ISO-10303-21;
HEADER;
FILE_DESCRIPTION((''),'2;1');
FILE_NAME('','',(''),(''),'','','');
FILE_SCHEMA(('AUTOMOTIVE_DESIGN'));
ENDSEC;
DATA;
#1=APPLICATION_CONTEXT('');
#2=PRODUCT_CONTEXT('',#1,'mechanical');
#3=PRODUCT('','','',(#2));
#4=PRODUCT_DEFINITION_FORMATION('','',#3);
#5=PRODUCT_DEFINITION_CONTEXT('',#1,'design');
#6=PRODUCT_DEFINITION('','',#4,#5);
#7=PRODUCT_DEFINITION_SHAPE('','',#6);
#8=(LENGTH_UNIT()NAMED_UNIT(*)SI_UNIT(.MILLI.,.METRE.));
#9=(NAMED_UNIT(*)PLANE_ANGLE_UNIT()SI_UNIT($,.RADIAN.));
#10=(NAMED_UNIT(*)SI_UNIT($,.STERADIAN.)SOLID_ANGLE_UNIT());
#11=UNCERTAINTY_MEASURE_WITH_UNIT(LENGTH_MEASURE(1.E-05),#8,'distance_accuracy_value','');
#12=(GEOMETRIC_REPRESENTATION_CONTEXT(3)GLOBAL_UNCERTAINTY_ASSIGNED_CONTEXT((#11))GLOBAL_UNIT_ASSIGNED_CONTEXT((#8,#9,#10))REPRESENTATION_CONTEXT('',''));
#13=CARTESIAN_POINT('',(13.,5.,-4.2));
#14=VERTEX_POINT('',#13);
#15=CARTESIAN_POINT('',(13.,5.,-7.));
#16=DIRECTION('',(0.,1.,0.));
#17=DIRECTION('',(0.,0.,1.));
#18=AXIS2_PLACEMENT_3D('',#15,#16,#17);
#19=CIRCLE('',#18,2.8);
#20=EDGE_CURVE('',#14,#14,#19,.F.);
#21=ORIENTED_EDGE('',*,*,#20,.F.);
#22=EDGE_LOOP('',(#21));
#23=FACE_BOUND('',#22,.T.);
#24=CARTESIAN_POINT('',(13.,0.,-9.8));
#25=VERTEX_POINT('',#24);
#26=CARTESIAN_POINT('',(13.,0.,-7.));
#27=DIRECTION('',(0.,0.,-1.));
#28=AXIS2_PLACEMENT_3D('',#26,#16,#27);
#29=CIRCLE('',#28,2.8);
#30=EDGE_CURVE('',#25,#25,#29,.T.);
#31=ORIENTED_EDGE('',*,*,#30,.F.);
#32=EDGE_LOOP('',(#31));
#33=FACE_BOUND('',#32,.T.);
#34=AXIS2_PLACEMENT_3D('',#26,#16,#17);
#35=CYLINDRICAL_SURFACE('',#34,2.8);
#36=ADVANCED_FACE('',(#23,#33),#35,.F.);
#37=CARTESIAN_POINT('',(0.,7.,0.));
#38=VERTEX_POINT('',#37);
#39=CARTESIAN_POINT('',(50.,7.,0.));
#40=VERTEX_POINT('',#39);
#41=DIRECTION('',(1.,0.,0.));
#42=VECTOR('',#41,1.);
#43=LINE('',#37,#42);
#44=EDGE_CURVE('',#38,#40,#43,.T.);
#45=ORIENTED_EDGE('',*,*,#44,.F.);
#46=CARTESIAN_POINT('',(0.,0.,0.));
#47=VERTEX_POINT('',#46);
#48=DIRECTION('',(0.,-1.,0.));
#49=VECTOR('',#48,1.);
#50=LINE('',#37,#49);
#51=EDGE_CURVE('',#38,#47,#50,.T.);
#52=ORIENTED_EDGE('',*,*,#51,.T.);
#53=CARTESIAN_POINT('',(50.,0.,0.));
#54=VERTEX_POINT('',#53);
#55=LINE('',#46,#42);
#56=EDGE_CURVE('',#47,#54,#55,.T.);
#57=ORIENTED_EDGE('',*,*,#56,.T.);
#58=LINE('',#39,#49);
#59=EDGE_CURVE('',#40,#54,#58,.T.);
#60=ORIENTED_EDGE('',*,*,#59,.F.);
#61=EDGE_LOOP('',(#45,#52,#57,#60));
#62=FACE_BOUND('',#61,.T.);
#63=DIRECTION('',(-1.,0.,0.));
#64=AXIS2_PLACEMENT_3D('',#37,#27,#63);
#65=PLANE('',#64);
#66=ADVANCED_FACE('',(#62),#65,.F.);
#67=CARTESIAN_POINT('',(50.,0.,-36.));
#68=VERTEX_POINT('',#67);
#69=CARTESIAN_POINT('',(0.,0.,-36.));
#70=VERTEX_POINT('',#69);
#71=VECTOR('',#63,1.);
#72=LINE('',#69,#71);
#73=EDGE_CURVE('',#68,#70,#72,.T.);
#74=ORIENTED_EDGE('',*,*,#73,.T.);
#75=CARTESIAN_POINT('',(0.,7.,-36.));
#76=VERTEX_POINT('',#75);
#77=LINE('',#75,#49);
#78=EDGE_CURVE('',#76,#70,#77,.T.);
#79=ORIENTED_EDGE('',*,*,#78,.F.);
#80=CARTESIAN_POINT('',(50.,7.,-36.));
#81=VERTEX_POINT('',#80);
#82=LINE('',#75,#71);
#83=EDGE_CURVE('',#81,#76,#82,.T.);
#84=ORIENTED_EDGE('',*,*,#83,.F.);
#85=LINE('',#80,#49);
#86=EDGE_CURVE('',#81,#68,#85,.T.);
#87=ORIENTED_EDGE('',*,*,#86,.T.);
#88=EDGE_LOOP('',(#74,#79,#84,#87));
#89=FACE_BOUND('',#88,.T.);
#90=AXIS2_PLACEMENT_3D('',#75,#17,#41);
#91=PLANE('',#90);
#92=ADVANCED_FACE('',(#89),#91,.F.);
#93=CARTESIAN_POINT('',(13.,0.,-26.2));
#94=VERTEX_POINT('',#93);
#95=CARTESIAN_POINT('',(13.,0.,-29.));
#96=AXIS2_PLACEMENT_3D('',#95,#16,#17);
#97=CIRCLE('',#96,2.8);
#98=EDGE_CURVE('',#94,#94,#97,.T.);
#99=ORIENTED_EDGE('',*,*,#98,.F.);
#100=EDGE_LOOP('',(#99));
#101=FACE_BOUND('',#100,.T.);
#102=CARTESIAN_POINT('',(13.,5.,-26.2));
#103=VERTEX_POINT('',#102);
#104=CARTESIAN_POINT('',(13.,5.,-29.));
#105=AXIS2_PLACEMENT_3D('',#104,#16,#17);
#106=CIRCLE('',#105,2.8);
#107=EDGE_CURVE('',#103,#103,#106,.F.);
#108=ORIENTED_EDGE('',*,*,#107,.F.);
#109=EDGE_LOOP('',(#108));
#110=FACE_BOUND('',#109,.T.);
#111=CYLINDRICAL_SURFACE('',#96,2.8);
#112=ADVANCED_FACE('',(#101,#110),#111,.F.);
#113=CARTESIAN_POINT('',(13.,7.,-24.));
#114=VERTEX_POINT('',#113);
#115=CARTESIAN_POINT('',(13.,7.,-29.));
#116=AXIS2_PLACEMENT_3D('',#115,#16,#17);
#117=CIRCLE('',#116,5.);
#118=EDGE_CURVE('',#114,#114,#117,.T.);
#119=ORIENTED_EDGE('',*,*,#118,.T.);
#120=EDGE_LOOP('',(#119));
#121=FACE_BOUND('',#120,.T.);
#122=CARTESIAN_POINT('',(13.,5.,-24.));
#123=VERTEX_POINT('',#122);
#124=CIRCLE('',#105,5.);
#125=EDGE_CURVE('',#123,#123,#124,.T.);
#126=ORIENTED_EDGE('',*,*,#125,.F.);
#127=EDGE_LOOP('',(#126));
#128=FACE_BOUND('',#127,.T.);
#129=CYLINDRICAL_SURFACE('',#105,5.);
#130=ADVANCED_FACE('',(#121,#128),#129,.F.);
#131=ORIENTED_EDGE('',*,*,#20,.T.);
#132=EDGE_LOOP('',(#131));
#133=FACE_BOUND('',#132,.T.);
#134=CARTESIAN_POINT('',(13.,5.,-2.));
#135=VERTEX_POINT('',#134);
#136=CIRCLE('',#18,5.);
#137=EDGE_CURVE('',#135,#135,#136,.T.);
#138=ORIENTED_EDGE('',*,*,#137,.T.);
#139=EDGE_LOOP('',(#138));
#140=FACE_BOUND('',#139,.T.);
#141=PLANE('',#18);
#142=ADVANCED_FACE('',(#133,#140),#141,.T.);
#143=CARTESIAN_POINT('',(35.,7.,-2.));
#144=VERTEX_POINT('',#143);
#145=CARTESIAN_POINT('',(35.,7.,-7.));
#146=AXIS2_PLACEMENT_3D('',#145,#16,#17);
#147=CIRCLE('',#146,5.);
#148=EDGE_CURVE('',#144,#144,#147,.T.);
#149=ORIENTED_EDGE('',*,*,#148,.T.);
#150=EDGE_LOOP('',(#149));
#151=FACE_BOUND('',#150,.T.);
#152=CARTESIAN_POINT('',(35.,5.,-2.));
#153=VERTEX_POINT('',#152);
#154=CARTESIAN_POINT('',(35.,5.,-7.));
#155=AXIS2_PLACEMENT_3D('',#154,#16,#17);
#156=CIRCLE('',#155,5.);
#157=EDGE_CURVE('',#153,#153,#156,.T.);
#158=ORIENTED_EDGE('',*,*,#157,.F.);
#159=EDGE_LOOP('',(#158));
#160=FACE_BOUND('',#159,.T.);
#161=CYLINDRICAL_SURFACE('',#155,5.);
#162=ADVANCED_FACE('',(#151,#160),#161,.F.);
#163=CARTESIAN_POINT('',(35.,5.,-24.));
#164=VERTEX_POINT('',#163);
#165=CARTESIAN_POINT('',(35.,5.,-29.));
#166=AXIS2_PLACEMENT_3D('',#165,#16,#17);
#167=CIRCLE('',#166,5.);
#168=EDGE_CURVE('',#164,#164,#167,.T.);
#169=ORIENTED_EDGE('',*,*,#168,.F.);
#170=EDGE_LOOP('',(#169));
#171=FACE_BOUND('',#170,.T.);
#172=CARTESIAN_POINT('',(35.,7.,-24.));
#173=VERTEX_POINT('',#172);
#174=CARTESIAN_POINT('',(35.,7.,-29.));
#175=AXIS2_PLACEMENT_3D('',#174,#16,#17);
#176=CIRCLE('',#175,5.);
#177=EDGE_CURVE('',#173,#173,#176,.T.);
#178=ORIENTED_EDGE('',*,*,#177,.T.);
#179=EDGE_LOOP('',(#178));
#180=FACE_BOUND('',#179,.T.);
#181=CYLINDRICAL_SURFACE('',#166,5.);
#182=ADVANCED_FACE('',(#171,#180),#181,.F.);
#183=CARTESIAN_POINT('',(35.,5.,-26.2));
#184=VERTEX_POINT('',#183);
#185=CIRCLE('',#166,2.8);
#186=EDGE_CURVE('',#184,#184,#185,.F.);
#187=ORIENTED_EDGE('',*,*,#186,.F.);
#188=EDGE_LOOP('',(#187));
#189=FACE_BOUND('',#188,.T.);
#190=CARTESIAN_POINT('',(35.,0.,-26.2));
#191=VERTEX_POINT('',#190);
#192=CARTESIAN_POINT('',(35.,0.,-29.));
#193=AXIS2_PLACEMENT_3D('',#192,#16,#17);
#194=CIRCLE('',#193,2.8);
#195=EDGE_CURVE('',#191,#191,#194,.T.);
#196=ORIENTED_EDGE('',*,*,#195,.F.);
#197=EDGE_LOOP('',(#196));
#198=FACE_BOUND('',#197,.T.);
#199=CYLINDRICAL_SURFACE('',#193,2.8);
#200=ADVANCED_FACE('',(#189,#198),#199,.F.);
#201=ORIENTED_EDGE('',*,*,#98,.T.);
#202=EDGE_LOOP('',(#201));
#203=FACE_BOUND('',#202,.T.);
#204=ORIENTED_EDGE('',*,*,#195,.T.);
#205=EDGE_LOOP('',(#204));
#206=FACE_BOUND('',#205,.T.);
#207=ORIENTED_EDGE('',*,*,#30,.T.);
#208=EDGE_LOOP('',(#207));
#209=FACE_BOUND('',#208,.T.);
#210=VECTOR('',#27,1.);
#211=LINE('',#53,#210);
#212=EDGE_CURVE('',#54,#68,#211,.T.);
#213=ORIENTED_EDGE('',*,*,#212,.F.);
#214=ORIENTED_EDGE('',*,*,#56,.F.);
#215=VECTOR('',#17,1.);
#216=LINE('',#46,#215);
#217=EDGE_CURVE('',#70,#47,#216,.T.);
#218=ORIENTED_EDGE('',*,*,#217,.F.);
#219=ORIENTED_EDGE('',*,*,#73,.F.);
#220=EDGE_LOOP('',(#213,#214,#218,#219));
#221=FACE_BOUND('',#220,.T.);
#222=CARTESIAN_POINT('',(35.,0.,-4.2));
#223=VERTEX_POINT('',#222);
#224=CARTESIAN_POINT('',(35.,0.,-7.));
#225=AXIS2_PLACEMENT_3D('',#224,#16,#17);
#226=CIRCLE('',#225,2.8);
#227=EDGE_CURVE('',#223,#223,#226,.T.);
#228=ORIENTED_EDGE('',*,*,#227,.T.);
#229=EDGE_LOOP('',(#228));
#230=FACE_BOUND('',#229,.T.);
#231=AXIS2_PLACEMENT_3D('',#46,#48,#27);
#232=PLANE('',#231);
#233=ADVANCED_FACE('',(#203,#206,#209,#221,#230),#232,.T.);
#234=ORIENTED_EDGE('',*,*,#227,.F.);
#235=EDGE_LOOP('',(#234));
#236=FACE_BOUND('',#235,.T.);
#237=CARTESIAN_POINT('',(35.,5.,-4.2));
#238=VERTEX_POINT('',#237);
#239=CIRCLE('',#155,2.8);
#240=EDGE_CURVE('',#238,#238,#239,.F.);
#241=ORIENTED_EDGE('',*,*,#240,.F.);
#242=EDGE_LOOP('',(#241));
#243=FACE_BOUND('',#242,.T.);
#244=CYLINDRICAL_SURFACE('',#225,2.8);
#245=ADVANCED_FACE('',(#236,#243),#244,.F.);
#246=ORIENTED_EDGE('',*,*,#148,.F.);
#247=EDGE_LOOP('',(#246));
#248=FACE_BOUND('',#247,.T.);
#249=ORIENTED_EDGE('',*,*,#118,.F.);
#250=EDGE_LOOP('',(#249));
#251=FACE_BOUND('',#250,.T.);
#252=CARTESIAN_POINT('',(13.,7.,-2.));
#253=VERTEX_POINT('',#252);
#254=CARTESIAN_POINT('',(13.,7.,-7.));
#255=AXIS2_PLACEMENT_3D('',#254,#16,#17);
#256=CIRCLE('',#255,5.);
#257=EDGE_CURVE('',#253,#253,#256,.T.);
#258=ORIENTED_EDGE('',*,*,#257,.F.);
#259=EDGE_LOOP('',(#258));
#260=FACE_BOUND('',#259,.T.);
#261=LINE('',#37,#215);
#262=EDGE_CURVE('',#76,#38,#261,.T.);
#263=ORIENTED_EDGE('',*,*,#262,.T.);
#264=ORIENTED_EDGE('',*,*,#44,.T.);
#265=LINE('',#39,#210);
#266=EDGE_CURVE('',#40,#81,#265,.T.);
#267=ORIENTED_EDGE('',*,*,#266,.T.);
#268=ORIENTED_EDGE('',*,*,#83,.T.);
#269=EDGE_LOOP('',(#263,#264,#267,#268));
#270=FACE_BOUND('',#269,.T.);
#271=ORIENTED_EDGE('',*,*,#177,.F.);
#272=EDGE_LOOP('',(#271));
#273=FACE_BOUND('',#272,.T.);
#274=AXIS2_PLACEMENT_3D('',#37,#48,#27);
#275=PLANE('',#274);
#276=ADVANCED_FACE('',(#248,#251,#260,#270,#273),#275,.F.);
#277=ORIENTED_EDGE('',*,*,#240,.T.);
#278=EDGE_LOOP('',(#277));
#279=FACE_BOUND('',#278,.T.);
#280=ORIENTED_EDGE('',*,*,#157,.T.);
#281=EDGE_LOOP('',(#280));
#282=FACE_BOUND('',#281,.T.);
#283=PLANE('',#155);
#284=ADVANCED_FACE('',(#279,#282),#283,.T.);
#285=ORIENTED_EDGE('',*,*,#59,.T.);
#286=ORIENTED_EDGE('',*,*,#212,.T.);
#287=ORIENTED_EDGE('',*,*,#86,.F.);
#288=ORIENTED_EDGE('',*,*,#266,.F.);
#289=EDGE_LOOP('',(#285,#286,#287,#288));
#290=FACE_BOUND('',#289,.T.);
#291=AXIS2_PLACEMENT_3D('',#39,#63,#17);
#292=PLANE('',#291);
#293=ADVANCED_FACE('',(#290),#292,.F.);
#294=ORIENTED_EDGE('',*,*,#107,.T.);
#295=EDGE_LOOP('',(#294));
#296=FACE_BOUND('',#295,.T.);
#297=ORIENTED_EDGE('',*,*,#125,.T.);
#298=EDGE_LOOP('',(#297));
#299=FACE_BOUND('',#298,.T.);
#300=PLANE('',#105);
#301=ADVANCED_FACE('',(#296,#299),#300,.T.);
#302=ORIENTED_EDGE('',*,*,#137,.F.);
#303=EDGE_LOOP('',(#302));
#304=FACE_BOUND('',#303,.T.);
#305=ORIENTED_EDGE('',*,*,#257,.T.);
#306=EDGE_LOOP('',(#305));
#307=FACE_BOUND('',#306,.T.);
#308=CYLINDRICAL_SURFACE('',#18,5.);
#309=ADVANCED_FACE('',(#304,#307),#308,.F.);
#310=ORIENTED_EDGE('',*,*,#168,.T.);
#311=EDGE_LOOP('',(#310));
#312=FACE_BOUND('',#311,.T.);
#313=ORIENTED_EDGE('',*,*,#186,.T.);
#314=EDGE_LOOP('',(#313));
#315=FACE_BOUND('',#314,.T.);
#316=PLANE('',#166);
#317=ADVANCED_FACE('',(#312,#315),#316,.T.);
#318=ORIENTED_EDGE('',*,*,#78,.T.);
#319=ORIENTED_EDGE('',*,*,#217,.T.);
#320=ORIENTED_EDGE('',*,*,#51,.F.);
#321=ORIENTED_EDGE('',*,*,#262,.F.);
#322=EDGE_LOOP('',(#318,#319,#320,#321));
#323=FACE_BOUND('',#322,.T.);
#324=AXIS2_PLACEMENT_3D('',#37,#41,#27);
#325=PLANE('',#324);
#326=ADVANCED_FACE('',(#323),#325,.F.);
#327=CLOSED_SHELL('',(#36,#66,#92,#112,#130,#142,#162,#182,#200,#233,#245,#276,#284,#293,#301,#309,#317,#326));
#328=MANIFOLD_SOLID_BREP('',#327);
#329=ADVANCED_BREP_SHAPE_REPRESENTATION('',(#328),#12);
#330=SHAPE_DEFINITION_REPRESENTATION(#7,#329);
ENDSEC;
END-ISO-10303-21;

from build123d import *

# Parameters (mm, degrees)
SKETCH1_W           = 50
SKETCH1_H           = 36
BOSS_EXTRUDE1_DEPTH = 7
SKETCH2_R           = 2.8
CUT_EXTRUDE1_DEPTH  = 63.008063992
SKETCH3_R           = 5
CUT_EXTRUDE2_DEPTH  = 2


with BuildPart() as part:
    # Sketch1 → Boss-Extrude1 (new body)
    with BuildSketch(Plane(origin=(0, 0, 0), x_dir=(1, 0, 0), z_dir=(0, 1, 0))):
        with Locations((25, 18)):
            Rectangle(SKETCH1_W, SKETCH1_H)
    extrude(amount=BOSS_EXTRUDE1_DEPTH)

    # Sketch2 → Cut-Extrude1 (cut, through all)
    with BuildSketch(Plane(origin=(0, 7, 0), x_dir=(1, 0, 0), z_dir=(0, 1, 0))):
        with Locations(Location((13, 29, 0), (0, 0, 270))):
            Circle(SKETCH2_R)
        with Locations(Location((13, 7, 0), (0, 0, 90))):
            Circle(SKETCH2_R)
        with Locations(Location((35, 29, 0), (0, 0, 270))):
            Circle(SKETCH2_R)
        with Locations(Location((35, 7, 0), (0, 0, 270))):
            Circle(SKETCH2_R)
    extrude(amount=-CUT_EXTRUDE1_DEPTH, mode=Mode.SUBTRACT)

    # Sketch3 → Cut-Extrude2 (cut)
    with BuildSketch(Plane(origin=(0, 7, 0), x_dir=(1, 0, 0), z_dir=(0, 1, 0))):
        with Locations(Location((13, 29, 0), (0, 0, 270))):
            Circle(SKETCH3_R)
        with Locations(Location((13, 7, 0), (0, 0, 270))):
            Circle(SKETCH3_R)
        with Locations(Location((35, 29, 0), (0, 0, 270))):
            Circle(SKETCH3_R)
        with Locations(Location((35, 7, 0), (0, 0, 270))):
            Circle(SKETCH3_R)
    extrude(amount=-CUT_EXTRUDE2_DEPTH, mode=Mode.SUBTRACT)


solid = part.part
